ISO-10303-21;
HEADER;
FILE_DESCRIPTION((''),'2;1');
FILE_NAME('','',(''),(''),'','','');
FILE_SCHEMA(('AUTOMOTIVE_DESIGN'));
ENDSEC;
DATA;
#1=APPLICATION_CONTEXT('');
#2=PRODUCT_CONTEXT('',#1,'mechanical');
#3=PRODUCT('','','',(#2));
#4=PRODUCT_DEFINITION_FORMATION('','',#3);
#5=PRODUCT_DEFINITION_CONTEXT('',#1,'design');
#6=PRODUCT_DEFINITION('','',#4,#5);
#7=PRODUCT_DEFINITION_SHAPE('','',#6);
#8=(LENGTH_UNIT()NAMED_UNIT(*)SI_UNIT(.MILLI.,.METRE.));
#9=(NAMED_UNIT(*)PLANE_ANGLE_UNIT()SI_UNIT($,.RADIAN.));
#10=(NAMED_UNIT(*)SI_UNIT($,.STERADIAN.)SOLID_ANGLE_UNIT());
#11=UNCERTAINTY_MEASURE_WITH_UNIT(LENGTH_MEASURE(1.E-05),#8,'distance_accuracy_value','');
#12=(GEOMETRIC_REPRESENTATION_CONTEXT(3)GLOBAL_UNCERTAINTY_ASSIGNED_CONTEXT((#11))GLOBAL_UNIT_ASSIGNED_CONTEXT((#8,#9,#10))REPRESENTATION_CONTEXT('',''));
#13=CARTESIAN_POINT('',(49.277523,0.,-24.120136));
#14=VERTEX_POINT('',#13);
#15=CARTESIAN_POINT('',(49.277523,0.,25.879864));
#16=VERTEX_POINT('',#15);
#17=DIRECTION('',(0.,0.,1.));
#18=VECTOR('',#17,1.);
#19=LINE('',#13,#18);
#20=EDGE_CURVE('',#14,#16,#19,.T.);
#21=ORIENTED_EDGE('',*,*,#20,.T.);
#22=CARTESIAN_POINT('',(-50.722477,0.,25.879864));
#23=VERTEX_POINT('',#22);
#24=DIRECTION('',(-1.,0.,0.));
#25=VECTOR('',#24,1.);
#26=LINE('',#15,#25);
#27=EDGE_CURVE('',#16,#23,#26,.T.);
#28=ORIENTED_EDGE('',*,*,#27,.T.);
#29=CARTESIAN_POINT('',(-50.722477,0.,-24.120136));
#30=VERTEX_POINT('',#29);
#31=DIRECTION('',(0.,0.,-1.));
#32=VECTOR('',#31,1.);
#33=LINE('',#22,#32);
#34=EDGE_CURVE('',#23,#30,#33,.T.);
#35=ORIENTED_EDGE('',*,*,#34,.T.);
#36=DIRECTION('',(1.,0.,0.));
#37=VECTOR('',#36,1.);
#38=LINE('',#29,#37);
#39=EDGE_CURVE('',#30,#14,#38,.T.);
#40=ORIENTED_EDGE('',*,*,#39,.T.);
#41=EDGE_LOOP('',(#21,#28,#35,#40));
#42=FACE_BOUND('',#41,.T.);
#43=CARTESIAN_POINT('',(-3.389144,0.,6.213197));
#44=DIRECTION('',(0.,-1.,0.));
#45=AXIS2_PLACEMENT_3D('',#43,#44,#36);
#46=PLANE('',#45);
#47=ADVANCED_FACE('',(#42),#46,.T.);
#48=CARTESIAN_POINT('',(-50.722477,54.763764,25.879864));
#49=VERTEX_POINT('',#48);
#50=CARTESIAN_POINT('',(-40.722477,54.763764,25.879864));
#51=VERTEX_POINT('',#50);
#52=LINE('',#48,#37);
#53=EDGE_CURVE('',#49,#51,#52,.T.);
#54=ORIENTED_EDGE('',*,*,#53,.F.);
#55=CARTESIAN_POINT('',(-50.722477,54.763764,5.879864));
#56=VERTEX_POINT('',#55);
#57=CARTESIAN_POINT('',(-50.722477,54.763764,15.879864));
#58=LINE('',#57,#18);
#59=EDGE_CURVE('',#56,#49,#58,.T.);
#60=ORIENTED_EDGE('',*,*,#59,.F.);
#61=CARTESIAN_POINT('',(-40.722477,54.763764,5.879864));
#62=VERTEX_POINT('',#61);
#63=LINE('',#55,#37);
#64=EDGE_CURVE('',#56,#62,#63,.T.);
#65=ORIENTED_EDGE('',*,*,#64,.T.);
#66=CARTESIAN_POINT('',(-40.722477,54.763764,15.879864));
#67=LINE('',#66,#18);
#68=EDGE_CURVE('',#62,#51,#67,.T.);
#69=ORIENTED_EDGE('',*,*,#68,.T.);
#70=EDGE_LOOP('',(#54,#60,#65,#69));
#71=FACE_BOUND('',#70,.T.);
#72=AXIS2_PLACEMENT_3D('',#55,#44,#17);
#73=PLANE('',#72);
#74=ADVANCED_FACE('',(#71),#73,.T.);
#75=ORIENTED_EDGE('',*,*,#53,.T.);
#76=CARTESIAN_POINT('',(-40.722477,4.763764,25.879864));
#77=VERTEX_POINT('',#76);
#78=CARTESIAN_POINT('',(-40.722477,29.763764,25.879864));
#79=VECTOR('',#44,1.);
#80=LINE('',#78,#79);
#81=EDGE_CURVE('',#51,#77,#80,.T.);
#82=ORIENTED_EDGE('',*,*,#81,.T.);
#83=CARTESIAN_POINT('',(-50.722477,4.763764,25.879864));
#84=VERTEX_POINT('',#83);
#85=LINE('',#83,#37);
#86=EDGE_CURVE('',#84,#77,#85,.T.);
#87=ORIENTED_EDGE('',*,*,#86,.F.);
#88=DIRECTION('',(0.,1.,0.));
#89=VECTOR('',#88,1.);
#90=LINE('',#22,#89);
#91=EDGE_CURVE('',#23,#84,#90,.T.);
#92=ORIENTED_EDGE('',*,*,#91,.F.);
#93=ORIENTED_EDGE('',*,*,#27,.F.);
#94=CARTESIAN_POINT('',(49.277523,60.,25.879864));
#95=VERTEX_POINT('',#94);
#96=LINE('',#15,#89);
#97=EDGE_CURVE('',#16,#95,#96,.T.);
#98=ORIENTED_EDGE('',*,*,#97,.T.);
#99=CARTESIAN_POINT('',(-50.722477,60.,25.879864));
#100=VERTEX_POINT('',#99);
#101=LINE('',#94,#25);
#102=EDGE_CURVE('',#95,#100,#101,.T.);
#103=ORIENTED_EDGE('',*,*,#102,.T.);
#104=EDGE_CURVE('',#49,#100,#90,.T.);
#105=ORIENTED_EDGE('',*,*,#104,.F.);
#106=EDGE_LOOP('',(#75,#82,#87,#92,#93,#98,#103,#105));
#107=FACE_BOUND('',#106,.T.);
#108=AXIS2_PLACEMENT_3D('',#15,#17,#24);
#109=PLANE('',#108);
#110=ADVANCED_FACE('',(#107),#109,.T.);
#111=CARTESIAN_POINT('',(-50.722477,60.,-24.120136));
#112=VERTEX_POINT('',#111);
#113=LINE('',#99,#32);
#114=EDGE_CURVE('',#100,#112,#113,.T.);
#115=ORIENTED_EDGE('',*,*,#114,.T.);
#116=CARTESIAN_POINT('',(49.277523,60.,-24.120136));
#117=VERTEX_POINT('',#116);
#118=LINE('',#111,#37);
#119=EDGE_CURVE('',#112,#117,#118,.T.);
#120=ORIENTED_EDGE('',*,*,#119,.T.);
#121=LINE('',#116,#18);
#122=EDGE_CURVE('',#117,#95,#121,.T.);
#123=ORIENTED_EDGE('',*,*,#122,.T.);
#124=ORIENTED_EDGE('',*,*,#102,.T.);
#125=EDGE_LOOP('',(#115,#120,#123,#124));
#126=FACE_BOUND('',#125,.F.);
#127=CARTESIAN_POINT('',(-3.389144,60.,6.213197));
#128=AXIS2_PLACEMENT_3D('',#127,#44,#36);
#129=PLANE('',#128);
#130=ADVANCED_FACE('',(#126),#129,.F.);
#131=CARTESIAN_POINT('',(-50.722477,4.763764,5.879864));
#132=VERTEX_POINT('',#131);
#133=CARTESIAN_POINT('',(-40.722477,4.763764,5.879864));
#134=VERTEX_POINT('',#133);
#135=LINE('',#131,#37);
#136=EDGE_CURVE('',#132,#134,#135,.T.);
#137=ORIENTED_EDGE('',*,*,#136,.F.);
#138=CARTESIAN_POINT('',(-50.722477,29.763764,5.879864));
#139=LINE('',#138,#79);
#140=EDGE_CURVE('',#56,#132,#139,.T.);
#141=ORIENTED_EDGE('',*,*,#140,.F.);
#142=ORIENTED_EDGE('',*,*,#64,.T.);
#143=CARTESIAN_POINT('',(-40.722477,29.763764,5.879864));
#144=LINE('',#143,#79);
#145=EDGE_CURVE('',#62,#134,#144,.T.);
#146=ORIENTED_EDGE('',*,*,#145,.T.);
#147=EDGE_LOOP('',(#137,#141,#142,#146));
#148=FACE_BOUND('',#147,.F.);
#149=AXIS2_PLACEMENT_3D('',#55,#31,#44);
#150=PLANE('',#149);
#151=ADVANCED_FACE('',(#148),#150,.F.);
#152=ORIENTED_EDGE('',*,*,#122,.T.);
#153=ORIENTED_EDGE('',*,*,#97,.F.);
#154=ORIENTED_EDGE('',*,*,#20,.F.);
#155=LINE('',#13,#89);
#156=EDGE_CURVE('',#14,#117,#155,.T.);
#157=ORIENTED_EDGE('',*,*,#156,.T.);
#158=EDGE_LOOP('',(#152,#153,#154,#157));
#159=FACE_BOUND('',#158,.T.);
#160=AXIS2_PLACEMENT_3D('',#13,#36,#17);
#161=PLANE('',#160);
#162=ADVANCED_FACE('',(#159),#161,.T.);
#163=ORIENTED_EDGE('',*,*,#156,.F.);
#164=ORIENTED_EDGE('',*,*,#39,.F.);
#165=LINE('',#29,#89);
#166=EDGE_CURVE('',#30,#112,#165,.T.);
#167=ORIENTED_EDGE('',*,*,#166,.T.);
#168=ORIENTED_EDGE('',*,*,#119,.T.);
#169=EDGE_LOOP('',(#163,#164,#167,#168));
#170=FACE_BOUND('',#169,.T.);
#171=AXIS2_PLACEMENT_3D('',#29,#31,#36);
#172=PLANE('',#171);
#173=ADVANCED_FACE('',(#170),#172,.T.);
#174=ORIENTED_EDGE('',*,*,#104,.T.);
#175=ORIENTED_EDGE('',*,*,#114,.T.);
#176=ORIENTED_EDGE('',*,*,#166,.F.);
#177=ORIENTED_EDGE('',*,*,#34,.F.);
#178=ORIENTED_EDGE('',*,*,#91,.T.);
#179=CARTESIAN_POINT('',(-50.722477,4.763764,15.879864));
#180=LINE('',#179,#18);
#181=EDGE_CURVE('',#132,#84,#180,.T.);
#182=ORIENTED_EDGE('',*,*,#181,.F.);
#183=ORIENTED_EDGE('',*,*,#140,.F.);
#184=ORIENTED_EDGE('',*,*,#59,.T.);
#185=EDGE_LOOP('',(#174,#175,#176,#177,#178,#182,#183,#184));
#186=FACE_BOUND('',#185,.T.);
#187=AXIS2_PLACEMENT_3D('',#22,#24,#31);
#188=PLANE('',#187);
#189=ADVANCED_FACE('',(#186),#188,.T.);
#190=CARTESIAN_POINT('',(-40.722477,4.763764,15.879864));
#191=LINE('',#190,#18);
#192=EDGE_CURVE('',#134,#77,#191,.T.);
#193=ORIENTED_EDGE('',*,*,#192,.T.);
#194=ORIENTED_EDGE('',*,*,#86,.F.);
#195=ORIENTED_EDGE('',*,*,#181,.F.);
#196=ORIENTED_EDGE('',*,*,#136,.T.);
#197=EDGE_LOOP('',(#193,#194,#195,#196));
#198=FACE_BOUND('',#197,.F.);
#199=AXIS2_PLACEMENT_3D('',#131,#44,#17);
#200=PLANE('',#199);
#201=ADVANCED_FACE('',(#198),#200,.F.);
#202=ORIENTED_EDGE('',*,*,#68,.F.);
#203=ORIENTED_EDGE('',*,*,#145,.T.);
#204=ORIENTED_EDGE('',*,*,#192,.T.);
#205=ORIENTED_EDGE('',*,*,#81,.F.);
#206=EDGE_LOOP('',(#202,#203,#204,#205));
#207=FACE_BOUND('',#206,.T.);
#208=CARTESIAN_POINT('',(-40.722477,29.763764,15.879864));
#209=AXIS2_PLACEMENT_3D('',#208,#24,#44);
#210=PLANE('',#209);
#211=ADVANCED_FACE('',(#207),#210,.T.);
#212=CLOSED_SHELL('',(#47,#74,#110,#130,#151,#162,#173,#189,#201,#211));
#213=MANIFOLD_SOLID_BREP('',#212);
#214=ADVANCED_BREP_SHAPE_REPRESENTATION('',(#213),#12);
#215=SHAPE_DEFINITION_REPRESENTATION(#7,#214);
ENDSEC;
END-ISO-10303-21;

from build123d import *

# Parameters (mm, degrees)
F0_W     = 20
F0_H     = 20
F0_W_2   = 40
F0_H_2   = 30
F1_DEPTH = 60
F3_W     = 50
F3_H     = 20
F4_DEPTH = 10


with BuildPart() as f1:
    # F0 (on Front) → F1 (new body)
    with BuildSketch(Plane.XZ):
        Polygon((49.277523, 25.879864), (-50.722477, 25.879864), (-50.722477, -4.120136), (-30.722477, -4.120136), (-30.722477, -24.120136), (9.277523, -24.120136), (9.277523, 5.879864), (49.277523, 5.879864), align=None)
        with Locations((-40.722477, -14.120136)):
            Rectangle(F0_W, F0_H)
        with Locations((29.277523, -9.120136)):
            Rectangle(F0_W_2, F0_H_2)
    extrude(amount=-F1_DEPTH)

    # F3 (on face) → F4 (cut)
    with BuildSketch(Plane(origin=(-50.722477, 0, 0), x_dir=(0, -1, 0), z_dir=(-1, 0, 0))):
        with Locations((-29.763764, 15.879864)):
            Rectangle(F3_W, F3_H)
    extrude(amount=-F4_DEPTH, mode=Mode.SUBTRACT)


solid = f1.part
